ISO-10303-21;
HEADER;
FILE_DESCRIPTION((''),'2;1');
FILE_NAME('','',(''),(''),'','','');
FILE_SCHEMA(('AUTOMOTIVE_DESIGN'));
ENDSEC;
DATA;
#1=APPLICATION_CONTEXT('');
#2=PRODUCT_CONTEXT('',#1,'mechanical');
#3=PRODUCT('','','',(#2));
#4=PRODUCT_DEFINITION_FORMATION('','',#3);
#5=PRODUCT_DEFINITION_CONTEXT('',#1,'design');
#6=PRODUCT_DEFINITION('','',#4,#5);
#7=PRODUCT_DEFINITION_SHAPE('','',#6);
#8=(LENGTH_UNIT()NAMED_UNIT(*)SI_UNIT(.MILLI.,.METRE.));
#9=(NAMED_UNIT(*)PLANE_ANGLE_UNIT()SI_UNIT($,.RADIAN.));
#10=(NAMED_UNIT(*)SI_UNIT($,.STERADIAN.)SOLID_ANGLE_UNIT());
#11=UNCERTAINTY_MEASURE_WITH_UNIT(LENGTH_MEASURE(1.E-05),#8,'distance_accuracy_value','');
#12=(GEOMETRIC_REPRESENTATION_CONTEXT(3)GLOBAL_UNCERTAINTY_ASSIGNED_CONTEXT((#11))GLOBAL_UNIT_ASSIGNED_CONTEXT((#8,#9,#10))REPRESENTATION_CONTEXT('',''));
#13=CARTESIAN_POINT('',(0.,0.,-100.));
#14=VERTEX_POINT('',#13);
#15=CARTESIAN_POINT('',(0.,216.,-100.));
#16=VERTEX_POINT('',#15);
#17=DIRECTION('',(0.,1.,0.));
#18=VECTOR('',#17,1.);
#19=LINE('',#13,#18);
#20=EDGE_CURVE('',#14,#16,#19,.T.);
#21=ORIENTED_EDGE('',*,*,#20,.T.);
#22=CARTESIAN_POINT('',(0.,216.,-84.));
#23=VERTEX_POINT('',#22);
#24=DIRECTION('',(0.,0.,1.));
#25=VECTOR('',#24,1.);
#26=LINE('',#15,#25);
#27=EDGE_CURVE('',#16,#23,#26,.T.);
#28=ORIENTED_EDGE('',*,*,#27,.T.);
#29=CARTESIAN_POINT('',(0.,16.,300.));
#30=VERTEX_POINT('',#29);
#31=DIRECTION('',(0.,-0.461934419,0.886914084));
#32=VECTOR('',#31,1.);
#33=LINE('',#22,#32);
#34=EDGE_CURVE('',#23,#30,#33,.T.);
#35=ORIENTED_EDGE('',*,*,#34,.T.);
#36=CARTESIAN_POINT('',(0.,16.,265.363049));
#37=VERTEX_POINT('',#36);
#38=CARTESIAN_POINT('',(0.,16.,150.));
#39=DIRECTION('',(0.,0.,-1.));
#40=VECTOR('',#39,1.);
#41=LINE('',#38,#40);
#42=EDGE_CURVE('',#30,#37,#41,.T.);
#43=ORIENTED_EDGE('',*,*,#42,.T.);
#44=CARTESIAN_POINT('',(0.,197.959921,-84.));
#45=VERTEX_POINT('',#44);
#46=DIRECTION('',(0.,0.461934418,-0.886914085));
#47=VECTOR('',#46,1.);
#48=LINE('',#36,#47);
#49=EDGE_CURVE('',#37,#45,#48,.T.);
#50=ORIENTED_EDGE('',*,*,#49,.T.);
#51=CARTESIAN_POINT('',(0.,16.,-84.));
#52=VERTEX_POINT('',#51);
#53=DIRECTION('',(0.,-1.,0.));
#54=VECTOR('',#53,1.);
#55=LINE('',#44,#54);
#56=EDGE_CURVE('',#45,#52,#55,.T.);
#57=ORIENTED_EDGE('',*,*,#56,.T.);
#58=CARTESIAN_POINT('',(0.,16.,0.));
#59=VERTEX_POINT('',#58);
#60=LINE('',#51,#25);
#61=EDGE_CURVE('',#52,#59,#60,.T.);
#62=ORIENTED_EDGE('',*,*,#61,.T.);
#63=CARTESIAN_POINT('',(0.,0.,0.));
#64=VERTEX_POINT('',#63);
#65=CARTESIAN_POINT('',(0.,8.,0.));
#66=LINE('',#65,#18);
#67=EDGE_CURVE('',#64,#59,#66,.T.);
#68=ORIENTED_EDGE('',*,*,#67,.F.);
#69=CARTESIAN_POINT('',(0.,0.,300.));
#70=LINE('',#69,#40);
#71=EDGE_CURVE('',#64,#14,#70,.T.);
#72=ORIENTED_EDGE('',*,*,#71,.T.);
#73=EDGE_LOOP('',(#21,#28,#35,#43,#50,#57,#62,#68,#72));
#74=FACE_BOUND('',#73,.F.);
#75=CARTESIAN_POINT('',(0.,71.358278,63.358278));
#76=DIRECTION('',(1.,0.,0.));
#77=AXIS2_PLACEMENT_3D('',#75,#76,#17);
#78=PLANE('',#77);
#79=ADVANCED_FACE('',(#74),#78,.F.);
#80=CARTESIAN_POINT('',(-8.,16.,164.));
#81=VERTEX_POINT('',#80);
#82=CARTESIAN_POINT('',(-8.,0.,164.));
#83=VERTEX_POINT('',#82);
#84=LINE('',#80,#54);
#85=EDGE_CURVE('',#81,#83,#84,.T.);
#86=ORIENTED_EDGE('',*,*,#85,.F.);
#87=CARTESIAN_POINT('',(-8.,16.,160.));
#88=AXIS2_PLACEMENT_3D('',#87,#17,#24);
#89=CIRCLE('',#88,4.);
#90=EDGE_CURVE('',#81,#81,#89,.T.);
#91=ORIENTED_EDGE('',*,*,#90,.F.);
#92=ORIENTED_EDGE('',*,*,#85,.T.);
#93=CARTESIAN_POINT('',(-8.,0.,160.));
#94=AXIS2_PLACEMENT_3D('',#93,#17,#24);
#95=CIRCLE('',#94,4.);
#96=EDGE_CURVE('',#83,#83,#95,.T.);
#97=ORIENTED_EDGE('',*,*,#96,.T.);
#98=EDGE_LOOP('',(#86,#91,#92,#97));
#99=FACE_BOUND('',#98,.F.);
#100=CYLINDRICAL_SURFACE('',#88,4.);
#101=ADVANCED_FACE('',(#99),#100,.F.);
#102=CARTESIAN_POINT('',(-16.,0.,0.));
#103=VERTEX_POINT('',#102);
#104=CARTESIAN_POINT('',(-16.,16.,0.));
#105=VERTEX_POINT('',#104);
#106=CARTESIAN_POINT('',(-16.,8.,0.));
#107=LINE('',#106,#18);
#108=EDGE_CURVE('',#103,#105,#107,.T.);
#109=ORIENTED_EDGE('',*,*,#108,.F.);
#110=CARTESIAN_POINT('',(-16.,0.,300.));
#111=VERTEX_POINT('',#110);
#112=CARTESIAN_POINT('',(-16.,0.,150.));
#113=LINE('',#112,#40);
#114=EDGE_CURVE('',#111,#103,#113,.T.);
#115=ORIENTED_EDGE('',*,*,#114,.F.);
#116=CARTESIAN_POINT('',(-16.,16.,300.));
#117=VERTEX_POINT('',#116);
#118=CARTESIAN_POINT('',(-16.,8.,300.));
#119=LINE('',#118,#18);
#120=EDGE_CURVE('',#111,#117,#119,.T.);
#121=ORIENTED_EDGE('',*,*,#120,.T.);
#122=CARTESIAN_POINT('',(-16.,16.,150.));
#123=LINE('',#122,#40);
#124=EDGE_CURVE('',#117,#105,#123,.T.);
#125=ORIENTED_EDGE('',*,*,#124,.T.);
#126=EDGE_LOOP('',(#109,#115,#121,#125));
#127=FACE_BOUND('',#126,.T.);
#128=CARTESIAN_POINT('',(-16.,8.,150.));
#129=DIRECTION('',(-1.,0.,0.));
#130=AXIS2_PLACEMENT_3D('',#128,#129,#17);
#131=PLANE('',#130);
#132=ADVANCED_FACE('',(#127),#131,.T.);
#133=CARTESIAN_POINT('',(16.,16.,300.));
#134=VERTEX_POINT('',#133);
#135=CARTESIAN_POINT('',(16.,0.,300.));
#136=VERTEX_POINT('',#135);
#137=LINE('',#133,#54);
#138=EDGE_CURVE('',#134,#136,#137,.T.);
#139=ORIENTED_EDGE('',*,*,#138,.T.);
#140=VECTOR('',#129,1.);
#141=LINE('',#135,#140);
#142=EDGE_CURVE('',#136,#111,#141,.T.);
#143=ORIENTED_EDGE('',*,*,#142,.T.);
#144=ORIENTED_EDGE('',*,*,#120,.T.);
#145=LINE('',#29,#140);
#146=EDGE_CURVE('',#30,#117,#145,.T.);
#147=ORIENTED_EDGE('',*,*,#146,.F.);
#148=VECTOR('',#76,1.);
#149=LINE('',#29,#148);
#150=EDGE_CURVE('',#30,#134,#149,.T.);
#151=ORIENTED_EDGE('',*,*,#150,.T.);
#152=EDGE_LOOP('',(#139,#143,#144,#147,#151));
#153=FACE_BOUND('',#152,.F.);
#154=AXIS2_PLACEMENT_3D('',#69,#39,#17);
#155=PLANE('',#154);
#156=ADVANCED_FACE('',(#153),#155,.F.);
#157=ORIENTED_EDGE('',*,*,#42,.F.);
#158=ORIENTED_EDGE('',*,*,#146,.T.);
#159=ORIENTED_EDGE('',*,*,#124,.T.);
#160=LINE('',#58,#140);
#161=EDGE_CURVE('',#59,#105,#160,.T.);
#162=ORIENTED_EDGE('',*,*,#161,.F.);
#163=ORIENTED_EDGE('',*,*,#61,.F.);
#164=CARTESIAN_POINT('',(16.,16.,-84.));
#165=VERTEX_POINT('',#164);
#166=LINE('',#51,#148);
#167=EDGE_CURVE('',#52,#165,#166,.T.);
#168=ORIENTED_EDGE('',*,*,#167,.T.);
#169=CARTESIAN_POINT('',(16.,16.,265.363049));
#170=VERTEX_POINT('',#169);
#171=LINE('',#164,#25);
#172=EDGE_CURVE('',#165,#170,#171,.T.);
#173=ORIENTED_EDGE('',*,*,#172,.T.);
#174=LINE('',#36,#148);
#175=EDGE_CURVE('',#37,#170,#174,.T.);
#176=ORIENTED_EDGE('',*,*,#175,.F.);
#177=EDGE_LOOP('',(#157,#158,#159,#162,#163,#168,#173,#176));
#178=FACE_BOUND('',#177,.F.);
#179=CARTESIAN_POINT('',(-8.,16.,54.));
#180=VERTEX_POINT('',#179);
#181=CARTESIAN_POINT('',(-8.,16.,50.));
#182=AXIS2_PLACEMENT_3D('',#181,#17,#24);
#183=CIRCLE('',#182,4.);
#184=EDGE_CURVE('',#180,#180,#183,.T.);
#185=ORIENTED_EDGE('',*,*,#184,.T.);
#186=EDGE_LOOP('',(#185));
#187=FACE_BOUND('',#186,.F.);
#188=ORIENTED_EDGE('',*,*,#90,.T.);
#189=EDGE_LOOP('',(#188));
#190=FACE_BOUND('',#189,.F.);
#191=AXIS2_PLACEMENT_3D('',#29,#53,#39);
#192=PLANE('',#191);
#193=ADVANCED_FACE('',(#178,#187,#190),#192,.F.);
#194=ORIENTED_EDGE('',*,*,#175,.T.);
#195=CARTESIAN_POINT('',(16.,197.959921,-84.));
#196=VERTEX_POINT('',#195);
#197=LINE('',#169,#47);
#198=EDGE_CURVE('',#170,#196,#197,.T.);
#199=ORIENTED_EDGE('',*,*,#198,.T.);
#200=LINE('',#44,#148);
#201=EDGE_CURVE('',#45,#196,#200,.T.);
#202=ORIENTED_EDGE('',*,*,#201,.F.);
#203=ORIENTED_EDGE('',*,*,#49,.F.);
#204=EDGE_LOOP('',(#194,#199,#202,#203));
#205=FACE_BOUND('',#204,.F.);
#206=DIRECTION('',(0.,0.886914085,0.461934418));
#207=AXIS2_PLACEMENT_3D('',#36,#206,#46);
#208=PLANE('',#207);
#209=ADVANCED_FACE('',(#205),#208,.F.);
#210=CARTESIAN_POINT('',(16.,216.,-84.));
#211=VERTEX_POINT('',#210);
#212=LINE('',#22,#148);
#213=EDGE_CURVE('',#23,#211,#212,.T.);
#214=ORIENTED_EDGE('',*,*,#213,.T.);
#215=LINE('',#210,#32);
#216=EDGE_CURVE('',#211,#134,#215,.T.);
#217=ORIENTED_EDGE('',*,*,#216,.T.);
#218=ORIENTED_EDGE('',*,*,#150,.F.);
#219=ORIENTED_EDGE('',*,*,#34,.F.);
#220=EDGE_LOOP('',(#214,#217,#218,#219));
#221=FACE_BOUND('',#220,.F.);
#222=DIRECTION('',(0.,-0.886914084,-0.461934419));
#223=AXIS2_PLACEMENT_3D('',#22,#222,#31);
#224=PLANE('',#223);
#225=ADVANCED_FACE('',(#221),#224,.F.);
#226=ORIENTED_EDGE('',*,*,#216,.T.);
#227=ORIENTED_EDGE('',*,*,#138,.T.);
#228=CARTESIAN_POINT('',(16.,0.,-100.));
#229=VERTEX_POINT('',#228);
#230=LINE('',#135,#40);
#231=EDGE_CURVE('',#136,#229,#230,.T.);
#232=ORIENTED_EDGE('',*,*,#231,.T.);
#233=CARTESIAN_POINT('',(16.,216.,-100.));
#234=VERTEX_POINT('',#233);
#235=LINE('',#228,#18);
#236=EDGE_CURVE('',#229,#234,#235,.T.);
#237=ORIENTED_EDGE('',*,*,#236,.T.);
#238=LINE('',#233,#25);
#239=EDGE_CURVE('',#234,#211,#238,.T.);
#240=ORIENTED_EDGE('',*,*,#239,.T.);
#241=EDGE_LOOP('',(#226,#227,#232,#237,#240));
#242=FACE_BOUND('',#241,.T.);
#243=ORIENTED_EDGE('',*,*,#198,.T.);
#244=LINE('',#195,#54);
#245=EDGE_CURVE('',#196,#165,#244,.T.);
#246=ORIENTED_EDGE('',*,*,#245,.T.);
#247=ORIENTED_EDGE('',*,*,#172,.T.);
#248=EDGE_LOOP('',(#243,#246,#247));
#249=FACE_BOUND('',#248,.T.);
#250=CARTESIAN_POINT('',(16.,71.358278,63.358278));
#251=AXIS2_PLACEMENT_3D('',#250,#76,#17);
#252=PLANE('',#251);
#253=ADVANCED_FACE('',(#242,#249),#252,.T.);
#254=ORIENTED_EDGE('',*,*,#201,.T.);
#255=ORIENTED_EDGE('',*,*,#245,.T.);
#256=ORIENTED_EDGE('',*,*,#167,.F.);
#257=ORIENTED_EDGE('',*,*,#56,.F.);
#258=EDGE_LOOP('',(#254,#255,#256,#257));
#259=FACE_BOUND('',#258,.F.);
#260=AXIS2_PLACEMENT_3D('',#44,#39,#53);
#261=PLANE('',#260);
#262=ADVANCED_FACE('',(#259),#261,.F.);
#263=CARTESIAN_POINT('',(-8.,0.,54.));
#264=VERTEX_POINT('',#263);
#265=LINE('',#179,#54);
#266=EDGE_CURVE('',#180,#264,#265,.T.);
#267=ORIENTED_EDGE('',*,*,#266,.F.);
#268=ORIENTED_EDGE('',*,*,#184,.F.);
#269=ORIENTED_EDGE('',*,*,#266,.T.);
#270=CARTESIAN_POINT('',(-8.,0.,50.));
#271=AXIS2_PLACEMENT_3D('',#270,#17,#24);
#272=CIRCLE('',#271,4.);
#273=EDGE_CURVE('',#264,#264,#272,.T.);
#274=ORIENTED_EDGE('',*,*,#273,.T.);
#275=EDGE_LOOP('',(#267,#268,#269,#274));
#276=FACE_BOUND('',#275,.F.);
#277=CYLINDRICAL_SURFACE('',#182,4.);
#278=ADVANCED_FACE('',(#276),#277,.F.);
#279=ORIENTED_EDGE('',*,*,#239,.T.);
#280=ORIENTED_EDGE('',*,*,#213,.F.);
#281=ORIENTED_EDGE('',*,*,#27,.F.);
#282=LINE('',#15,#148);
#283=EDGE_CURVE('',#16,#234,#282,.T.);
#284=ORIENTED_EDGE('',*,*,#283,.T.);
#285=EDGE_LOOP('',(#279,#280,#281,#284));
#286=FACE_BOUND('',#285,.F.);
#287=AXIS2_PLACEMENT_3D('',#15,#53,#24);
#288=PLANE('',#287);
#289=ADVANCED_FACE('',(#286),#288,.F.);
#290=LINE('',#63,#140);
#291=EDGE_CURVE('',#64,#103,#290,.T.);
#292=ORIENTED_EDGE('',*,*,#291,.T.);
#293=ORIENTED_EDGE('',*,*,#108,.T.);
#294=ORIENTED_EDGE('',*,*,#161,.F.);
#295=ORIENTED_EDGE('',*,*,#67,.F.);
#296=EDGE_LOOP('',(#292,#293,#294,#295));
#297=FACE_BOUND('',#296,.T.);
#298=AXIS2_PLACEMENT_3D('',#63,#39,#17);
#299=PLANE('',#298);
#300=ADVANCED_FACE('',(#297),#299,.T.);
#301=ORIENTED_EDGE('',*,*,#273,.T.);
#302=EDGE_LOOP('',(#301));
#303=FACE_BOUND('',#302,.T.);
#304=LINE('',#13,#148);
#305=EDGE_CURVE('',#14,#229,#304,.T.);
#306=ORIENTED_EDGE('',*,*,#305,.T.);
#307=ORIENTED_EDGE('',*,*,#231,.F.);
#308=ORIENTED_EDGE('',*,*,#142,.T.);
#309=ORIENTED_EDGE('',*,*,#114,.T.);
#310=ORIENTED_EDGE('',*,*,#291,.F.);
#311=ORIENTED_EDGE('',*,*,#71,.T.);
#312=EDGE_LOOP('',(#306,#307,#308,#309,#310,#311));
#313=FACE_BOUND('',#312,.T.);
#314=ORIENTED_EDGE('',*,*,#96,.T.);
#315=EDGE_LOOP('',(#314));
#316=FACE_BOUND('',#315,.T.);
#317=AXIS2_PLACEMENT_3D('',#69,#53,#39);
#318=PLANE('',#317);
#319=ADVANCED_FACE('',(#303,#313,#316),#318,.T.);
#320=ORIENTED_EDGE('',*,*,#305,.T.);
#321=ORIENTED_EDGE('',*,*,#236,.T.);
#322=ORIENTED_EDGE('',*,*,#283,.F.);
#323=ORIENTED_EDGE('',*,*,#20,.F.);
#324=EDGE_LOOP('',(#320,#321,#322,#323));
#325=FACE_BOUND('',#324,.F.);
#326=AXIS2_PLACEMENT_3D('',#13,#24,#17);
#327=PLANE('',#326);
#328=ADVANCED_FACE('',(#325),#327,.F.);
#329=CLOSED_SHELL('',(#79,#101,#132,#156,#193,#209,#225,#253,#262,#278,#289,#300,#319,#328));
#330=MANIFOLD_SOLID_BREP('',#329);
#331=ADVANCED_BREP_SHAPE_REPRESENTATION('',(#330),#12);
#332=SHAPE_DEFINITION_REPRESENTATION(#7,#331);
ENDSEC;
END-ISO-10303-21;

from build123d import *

# Parameters (mm, degrees)
PAD_DEPTH    = 16
SKETCH001_W  = 16
SKETCH001_H  = 300
PAD001_DEPTH = 16
SKETCH002_R  = 4
POCKET_DEPTH = 16.001


with BuildPart() as part:
    # Sketch → Pad (new body)
    with BuildSketch(Plane.YZ):
        Polygon((0, 0), (0, -100), (16, -100), (216, -100), (216, -84), (16, 300), (0, 300), align=None)
        Polygon((16, 265.363049), (197.959921, -84), (16, -84), align=None, mode=Mode.SUBTRACT)
    extrude(amount=PAD_DEPTH)

    # Sketch001 (on Face4 of Pad) → Pad001 (join)
    with BuildSketch(Plane(origin=(0, 0, 0), x_dir=(0, 1, 0), z_dir=(-1, 0, 0))):
        with Locations((8, -150)):
            Rectangle(SKETCH001_W, SKETCH001_H)
    extrude(amount=PAD001_DEPTH)

    # Sketch002 (on Face12 of Pad001) → Pocket (cut, through all)
    with BuildSketch(Plane.ZX.offset(16)):
        with Locations((50, -8)):
            Circle(SKETCH002_R)
        with Locations((160, -8)):
            Circle(SKETCH002_R)
    extrude(amount=-POCKET_DEPTH, mode=Mode.SUBTRACT)


solid = part.part
